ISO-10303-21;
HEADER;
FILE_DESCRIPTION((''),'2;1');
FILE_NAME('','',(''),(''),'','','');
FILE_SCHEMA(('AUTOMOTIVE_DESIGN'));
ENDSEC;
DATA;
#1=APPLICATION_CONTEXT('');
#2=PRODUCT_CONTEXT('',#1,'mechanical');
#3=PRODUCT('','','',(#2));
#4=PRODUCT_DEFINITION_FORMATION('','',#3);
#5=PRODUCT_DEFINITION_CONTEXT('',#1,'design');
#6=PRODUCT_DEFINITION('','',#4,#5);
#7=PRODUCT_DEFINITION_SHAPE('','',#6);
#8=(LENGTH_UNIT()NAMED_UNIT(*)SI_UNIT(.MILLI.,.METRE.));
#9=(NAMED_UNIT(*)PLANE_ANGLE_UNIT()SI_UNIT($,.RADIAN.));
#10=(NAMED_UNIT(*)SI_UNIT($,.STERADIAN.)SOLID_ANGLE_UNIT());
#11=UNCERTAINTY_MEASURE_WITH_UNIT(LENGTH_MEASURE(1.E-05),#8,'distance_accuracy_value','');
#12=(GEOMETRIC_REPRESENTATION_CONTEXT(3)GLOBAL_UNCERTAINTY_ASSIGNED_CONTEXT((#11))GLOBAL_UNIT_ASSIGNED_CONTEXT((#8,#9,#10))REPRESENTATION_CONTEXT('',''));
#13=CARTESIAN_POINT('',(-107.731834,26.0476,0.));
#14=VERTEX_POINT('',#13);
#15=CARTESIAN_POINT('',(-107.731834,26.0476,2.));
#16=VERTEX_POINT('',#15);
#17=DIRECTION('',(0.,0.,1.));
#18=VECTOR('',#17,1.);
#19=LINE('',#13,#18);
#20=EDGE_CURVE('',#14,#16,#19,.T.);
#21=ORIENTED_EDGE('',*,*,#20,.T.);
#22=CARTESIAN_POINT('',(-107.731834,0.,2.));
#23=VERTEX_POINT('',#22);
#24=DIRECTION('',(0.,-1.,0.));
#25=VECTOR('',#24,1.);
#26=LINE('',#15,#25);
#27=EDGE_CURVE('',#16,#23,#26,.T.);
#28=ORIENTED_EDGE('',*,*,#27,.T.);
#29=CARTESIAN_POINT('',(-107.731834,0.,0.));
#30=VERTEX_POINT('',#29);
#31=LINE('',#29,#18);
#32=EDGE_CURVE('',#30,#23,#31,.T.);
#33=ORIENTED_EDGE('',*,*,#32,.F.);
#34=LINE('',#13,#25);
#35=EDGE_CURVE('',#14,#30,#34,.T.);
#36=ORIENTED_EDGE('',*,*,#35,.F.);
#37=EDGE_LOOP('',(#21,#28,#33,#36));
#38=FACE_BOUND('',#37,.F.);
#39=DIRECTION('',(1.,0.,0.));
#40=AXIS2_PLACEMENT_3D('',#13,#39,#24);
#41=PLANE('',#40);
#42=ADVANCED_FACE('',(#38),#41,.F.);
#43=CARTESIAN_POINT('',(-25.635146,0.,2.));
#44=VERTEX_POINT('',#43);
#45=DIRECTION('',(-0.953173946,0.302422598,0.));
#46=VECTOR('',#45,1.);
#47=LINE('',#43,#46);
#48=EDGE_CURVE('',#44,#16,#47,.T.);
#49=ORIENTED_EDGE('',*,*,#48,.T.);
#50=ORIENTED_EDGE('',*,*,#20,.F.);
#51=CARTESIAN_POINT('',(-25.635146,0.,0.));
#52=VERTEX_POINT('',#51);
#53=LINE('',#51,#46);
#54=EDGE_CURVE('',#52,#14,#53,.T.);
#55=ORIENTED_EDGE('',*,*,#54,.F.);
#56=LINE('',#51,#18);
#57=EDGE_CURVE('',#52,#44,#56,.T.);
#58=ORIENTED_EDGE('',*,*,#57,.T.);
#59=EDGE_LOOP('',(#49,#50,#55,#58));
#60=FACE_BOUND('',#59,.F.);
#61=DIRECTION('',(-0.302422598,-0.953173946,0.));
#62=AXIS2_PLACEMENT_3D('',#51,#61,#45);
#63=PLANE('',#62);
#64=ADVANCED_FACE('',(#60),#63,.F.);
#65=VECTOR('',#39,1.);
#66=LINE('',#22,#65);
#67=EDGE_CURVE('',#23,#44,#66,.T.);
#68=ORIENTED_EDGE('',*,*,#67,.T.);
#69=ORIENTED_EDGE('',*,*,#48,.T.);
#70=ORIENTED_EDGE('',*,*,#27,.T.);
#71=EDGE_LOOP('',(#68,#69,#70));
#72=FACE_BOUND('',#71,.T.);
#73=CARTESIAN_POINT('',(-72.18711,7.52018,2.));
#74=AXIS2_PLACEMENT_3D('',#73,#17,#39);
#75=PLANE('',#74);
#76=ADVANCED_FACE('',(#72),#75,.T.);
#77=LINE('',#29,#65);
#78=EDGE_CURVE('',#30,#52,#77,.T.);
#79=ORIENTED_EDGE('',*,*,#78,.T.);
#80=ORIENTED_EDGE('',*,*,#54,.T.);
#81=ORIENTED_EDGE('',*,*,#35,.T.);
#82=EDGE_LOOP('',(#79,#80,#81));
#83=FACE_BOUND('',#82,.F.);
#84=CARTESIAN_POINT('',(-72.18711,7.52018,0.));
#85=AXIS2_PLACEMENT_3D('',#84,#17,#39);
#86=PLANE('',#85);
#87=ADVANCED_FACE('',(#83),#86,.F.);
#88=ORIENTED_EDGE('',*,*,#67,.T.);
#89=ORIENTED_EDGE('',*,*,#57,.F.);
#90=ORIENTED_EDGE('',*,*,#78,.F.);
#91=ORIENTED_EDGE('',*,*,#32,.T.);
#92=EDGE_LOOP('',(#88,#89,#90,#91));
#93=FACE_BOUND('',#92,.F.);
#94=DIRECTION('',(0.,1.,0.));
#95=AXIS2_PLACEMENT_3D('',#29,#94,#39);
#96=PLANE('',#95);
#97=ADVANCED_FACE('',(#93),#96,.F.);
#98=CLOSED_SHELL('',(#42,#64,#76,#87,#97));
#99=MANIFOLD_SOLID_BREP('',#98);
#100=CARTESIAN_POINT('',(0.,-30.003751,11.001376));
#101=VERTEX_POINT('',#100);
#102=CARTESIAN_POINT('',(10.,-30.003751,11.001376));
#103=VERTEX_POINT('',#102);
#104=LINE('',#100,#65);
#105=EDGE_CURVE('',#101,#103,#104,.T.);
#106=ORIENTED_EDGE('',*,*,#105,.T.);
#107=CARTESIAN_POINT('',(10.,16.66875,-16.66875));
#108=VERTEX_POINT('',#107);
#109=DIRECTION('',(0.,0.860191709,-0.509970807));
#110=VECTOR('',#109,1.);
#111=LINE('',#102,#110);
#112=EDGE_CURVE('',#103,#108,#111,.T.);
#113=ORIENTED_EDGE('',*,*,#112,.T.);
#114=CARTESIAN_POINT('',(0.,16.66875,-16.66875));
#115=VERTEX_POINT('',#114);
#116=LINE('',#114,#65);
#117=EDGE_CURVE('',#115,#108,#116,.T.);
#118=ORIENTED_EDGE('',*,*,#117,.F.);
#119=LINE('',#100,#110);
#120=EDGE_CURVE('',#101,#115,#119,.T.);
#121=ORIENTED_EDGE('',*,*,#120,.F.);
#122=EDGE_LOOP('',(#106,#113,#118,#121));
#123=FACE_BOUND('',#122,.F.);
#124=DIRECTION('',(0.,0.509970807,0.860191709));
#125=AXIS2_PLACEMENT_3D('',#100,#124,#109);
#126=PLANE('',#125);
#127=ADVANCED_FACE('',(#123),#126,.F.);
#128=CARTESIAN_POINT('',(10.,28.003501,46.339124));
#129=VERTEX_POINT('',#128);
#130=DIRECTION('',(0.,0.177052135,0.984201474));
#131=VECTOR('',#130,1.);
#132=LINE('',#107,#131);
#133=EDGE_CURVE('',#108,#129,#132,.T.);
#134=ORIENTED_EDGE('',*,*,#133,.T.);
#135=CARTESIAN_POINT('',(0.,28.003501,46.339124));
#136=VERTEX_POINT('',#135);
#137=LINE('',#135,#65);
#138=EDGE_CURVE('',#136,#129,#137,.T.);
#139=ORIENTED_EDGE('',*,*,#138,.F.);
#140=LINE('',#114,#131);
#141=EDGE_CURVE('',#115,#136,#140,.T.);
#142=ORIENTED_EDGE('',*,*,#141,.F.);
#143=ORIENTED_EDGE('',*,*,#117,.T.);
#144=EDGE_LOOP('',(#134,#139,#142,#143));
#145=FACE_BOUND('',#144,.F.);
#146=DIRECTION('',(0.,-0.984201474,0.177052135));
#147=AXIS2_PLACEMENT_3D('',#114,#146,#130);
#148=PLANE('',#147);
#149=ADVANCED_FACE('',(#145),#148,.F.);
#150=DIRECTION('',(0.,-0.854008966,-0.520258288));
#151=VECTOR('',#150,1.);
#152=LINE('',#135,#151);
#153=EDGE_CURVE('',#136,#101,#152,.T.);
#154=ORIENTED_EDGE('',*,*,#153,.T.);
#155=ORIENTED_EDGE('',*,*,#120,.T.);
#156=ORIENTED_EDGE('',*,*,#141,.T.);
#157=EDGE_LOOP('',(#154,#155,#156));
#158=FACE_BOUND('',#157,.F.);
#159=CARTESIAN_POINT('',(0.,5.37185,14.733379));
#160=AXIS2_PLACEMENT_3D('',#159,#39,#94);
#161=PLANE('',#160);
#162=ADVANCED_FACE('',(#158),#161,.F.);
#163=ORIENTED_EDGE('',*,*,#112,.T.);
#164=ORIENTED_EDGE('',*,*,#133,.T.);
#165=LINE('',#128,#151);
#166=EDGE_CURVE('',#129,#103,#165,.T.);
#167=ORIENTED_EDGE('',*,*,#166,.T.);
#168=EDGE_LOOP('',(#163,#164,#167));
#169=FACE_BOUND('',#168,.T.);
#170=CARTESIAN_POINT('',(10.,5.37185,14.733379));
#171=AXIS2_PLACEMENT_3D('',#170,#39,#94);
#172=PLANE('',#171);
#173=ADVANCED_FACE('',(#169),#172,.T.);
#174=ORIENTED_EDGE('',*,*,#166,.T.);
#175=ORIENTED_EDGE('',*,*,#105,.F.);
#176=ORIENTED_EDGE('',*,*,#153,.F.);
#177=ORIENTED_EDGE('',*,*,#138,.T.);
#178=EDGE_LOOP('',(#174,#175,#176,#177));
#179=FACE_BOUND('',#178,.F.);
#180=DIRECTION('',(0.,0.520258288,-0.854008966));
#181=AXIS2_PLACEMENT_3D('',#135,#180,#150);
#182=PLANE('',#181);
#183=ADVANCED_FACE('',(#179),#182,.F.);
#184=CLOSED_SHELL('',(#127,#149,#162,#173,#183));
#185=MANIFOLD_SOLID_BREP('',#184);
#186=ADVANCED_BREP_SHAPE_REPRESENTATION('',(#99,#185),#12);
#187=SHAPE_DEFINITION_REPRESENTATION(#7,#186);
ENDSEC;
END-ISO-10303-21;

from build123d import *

# Parameters (mm, degrees)
F1_DEPTH = 2
F3_DEPTH = 10


with BuildPart() as f1:
    # F0 (on Top) → F1 (new body)
    with BuildSketch(Plane.XY):
        Polygon((-107.731834, 11.837703), (-107.731834, 0), (-25.635146, 0), (-107.731834, 26.0476), align=None)
    extrude(amount=F1_DEPTH)


with BuildPart() as f3:
    # F2 (on Right) → F3 (new body)
    with BuildSketch(Plane.YZ):
        Polygon((16.66875, -16.66875), (28.003501, 46.339124), (-30.003751, 11.001376), align=None)
    extrude(amount=F3_DEPTH)


solid = Compound([f1.part, f3.part])
